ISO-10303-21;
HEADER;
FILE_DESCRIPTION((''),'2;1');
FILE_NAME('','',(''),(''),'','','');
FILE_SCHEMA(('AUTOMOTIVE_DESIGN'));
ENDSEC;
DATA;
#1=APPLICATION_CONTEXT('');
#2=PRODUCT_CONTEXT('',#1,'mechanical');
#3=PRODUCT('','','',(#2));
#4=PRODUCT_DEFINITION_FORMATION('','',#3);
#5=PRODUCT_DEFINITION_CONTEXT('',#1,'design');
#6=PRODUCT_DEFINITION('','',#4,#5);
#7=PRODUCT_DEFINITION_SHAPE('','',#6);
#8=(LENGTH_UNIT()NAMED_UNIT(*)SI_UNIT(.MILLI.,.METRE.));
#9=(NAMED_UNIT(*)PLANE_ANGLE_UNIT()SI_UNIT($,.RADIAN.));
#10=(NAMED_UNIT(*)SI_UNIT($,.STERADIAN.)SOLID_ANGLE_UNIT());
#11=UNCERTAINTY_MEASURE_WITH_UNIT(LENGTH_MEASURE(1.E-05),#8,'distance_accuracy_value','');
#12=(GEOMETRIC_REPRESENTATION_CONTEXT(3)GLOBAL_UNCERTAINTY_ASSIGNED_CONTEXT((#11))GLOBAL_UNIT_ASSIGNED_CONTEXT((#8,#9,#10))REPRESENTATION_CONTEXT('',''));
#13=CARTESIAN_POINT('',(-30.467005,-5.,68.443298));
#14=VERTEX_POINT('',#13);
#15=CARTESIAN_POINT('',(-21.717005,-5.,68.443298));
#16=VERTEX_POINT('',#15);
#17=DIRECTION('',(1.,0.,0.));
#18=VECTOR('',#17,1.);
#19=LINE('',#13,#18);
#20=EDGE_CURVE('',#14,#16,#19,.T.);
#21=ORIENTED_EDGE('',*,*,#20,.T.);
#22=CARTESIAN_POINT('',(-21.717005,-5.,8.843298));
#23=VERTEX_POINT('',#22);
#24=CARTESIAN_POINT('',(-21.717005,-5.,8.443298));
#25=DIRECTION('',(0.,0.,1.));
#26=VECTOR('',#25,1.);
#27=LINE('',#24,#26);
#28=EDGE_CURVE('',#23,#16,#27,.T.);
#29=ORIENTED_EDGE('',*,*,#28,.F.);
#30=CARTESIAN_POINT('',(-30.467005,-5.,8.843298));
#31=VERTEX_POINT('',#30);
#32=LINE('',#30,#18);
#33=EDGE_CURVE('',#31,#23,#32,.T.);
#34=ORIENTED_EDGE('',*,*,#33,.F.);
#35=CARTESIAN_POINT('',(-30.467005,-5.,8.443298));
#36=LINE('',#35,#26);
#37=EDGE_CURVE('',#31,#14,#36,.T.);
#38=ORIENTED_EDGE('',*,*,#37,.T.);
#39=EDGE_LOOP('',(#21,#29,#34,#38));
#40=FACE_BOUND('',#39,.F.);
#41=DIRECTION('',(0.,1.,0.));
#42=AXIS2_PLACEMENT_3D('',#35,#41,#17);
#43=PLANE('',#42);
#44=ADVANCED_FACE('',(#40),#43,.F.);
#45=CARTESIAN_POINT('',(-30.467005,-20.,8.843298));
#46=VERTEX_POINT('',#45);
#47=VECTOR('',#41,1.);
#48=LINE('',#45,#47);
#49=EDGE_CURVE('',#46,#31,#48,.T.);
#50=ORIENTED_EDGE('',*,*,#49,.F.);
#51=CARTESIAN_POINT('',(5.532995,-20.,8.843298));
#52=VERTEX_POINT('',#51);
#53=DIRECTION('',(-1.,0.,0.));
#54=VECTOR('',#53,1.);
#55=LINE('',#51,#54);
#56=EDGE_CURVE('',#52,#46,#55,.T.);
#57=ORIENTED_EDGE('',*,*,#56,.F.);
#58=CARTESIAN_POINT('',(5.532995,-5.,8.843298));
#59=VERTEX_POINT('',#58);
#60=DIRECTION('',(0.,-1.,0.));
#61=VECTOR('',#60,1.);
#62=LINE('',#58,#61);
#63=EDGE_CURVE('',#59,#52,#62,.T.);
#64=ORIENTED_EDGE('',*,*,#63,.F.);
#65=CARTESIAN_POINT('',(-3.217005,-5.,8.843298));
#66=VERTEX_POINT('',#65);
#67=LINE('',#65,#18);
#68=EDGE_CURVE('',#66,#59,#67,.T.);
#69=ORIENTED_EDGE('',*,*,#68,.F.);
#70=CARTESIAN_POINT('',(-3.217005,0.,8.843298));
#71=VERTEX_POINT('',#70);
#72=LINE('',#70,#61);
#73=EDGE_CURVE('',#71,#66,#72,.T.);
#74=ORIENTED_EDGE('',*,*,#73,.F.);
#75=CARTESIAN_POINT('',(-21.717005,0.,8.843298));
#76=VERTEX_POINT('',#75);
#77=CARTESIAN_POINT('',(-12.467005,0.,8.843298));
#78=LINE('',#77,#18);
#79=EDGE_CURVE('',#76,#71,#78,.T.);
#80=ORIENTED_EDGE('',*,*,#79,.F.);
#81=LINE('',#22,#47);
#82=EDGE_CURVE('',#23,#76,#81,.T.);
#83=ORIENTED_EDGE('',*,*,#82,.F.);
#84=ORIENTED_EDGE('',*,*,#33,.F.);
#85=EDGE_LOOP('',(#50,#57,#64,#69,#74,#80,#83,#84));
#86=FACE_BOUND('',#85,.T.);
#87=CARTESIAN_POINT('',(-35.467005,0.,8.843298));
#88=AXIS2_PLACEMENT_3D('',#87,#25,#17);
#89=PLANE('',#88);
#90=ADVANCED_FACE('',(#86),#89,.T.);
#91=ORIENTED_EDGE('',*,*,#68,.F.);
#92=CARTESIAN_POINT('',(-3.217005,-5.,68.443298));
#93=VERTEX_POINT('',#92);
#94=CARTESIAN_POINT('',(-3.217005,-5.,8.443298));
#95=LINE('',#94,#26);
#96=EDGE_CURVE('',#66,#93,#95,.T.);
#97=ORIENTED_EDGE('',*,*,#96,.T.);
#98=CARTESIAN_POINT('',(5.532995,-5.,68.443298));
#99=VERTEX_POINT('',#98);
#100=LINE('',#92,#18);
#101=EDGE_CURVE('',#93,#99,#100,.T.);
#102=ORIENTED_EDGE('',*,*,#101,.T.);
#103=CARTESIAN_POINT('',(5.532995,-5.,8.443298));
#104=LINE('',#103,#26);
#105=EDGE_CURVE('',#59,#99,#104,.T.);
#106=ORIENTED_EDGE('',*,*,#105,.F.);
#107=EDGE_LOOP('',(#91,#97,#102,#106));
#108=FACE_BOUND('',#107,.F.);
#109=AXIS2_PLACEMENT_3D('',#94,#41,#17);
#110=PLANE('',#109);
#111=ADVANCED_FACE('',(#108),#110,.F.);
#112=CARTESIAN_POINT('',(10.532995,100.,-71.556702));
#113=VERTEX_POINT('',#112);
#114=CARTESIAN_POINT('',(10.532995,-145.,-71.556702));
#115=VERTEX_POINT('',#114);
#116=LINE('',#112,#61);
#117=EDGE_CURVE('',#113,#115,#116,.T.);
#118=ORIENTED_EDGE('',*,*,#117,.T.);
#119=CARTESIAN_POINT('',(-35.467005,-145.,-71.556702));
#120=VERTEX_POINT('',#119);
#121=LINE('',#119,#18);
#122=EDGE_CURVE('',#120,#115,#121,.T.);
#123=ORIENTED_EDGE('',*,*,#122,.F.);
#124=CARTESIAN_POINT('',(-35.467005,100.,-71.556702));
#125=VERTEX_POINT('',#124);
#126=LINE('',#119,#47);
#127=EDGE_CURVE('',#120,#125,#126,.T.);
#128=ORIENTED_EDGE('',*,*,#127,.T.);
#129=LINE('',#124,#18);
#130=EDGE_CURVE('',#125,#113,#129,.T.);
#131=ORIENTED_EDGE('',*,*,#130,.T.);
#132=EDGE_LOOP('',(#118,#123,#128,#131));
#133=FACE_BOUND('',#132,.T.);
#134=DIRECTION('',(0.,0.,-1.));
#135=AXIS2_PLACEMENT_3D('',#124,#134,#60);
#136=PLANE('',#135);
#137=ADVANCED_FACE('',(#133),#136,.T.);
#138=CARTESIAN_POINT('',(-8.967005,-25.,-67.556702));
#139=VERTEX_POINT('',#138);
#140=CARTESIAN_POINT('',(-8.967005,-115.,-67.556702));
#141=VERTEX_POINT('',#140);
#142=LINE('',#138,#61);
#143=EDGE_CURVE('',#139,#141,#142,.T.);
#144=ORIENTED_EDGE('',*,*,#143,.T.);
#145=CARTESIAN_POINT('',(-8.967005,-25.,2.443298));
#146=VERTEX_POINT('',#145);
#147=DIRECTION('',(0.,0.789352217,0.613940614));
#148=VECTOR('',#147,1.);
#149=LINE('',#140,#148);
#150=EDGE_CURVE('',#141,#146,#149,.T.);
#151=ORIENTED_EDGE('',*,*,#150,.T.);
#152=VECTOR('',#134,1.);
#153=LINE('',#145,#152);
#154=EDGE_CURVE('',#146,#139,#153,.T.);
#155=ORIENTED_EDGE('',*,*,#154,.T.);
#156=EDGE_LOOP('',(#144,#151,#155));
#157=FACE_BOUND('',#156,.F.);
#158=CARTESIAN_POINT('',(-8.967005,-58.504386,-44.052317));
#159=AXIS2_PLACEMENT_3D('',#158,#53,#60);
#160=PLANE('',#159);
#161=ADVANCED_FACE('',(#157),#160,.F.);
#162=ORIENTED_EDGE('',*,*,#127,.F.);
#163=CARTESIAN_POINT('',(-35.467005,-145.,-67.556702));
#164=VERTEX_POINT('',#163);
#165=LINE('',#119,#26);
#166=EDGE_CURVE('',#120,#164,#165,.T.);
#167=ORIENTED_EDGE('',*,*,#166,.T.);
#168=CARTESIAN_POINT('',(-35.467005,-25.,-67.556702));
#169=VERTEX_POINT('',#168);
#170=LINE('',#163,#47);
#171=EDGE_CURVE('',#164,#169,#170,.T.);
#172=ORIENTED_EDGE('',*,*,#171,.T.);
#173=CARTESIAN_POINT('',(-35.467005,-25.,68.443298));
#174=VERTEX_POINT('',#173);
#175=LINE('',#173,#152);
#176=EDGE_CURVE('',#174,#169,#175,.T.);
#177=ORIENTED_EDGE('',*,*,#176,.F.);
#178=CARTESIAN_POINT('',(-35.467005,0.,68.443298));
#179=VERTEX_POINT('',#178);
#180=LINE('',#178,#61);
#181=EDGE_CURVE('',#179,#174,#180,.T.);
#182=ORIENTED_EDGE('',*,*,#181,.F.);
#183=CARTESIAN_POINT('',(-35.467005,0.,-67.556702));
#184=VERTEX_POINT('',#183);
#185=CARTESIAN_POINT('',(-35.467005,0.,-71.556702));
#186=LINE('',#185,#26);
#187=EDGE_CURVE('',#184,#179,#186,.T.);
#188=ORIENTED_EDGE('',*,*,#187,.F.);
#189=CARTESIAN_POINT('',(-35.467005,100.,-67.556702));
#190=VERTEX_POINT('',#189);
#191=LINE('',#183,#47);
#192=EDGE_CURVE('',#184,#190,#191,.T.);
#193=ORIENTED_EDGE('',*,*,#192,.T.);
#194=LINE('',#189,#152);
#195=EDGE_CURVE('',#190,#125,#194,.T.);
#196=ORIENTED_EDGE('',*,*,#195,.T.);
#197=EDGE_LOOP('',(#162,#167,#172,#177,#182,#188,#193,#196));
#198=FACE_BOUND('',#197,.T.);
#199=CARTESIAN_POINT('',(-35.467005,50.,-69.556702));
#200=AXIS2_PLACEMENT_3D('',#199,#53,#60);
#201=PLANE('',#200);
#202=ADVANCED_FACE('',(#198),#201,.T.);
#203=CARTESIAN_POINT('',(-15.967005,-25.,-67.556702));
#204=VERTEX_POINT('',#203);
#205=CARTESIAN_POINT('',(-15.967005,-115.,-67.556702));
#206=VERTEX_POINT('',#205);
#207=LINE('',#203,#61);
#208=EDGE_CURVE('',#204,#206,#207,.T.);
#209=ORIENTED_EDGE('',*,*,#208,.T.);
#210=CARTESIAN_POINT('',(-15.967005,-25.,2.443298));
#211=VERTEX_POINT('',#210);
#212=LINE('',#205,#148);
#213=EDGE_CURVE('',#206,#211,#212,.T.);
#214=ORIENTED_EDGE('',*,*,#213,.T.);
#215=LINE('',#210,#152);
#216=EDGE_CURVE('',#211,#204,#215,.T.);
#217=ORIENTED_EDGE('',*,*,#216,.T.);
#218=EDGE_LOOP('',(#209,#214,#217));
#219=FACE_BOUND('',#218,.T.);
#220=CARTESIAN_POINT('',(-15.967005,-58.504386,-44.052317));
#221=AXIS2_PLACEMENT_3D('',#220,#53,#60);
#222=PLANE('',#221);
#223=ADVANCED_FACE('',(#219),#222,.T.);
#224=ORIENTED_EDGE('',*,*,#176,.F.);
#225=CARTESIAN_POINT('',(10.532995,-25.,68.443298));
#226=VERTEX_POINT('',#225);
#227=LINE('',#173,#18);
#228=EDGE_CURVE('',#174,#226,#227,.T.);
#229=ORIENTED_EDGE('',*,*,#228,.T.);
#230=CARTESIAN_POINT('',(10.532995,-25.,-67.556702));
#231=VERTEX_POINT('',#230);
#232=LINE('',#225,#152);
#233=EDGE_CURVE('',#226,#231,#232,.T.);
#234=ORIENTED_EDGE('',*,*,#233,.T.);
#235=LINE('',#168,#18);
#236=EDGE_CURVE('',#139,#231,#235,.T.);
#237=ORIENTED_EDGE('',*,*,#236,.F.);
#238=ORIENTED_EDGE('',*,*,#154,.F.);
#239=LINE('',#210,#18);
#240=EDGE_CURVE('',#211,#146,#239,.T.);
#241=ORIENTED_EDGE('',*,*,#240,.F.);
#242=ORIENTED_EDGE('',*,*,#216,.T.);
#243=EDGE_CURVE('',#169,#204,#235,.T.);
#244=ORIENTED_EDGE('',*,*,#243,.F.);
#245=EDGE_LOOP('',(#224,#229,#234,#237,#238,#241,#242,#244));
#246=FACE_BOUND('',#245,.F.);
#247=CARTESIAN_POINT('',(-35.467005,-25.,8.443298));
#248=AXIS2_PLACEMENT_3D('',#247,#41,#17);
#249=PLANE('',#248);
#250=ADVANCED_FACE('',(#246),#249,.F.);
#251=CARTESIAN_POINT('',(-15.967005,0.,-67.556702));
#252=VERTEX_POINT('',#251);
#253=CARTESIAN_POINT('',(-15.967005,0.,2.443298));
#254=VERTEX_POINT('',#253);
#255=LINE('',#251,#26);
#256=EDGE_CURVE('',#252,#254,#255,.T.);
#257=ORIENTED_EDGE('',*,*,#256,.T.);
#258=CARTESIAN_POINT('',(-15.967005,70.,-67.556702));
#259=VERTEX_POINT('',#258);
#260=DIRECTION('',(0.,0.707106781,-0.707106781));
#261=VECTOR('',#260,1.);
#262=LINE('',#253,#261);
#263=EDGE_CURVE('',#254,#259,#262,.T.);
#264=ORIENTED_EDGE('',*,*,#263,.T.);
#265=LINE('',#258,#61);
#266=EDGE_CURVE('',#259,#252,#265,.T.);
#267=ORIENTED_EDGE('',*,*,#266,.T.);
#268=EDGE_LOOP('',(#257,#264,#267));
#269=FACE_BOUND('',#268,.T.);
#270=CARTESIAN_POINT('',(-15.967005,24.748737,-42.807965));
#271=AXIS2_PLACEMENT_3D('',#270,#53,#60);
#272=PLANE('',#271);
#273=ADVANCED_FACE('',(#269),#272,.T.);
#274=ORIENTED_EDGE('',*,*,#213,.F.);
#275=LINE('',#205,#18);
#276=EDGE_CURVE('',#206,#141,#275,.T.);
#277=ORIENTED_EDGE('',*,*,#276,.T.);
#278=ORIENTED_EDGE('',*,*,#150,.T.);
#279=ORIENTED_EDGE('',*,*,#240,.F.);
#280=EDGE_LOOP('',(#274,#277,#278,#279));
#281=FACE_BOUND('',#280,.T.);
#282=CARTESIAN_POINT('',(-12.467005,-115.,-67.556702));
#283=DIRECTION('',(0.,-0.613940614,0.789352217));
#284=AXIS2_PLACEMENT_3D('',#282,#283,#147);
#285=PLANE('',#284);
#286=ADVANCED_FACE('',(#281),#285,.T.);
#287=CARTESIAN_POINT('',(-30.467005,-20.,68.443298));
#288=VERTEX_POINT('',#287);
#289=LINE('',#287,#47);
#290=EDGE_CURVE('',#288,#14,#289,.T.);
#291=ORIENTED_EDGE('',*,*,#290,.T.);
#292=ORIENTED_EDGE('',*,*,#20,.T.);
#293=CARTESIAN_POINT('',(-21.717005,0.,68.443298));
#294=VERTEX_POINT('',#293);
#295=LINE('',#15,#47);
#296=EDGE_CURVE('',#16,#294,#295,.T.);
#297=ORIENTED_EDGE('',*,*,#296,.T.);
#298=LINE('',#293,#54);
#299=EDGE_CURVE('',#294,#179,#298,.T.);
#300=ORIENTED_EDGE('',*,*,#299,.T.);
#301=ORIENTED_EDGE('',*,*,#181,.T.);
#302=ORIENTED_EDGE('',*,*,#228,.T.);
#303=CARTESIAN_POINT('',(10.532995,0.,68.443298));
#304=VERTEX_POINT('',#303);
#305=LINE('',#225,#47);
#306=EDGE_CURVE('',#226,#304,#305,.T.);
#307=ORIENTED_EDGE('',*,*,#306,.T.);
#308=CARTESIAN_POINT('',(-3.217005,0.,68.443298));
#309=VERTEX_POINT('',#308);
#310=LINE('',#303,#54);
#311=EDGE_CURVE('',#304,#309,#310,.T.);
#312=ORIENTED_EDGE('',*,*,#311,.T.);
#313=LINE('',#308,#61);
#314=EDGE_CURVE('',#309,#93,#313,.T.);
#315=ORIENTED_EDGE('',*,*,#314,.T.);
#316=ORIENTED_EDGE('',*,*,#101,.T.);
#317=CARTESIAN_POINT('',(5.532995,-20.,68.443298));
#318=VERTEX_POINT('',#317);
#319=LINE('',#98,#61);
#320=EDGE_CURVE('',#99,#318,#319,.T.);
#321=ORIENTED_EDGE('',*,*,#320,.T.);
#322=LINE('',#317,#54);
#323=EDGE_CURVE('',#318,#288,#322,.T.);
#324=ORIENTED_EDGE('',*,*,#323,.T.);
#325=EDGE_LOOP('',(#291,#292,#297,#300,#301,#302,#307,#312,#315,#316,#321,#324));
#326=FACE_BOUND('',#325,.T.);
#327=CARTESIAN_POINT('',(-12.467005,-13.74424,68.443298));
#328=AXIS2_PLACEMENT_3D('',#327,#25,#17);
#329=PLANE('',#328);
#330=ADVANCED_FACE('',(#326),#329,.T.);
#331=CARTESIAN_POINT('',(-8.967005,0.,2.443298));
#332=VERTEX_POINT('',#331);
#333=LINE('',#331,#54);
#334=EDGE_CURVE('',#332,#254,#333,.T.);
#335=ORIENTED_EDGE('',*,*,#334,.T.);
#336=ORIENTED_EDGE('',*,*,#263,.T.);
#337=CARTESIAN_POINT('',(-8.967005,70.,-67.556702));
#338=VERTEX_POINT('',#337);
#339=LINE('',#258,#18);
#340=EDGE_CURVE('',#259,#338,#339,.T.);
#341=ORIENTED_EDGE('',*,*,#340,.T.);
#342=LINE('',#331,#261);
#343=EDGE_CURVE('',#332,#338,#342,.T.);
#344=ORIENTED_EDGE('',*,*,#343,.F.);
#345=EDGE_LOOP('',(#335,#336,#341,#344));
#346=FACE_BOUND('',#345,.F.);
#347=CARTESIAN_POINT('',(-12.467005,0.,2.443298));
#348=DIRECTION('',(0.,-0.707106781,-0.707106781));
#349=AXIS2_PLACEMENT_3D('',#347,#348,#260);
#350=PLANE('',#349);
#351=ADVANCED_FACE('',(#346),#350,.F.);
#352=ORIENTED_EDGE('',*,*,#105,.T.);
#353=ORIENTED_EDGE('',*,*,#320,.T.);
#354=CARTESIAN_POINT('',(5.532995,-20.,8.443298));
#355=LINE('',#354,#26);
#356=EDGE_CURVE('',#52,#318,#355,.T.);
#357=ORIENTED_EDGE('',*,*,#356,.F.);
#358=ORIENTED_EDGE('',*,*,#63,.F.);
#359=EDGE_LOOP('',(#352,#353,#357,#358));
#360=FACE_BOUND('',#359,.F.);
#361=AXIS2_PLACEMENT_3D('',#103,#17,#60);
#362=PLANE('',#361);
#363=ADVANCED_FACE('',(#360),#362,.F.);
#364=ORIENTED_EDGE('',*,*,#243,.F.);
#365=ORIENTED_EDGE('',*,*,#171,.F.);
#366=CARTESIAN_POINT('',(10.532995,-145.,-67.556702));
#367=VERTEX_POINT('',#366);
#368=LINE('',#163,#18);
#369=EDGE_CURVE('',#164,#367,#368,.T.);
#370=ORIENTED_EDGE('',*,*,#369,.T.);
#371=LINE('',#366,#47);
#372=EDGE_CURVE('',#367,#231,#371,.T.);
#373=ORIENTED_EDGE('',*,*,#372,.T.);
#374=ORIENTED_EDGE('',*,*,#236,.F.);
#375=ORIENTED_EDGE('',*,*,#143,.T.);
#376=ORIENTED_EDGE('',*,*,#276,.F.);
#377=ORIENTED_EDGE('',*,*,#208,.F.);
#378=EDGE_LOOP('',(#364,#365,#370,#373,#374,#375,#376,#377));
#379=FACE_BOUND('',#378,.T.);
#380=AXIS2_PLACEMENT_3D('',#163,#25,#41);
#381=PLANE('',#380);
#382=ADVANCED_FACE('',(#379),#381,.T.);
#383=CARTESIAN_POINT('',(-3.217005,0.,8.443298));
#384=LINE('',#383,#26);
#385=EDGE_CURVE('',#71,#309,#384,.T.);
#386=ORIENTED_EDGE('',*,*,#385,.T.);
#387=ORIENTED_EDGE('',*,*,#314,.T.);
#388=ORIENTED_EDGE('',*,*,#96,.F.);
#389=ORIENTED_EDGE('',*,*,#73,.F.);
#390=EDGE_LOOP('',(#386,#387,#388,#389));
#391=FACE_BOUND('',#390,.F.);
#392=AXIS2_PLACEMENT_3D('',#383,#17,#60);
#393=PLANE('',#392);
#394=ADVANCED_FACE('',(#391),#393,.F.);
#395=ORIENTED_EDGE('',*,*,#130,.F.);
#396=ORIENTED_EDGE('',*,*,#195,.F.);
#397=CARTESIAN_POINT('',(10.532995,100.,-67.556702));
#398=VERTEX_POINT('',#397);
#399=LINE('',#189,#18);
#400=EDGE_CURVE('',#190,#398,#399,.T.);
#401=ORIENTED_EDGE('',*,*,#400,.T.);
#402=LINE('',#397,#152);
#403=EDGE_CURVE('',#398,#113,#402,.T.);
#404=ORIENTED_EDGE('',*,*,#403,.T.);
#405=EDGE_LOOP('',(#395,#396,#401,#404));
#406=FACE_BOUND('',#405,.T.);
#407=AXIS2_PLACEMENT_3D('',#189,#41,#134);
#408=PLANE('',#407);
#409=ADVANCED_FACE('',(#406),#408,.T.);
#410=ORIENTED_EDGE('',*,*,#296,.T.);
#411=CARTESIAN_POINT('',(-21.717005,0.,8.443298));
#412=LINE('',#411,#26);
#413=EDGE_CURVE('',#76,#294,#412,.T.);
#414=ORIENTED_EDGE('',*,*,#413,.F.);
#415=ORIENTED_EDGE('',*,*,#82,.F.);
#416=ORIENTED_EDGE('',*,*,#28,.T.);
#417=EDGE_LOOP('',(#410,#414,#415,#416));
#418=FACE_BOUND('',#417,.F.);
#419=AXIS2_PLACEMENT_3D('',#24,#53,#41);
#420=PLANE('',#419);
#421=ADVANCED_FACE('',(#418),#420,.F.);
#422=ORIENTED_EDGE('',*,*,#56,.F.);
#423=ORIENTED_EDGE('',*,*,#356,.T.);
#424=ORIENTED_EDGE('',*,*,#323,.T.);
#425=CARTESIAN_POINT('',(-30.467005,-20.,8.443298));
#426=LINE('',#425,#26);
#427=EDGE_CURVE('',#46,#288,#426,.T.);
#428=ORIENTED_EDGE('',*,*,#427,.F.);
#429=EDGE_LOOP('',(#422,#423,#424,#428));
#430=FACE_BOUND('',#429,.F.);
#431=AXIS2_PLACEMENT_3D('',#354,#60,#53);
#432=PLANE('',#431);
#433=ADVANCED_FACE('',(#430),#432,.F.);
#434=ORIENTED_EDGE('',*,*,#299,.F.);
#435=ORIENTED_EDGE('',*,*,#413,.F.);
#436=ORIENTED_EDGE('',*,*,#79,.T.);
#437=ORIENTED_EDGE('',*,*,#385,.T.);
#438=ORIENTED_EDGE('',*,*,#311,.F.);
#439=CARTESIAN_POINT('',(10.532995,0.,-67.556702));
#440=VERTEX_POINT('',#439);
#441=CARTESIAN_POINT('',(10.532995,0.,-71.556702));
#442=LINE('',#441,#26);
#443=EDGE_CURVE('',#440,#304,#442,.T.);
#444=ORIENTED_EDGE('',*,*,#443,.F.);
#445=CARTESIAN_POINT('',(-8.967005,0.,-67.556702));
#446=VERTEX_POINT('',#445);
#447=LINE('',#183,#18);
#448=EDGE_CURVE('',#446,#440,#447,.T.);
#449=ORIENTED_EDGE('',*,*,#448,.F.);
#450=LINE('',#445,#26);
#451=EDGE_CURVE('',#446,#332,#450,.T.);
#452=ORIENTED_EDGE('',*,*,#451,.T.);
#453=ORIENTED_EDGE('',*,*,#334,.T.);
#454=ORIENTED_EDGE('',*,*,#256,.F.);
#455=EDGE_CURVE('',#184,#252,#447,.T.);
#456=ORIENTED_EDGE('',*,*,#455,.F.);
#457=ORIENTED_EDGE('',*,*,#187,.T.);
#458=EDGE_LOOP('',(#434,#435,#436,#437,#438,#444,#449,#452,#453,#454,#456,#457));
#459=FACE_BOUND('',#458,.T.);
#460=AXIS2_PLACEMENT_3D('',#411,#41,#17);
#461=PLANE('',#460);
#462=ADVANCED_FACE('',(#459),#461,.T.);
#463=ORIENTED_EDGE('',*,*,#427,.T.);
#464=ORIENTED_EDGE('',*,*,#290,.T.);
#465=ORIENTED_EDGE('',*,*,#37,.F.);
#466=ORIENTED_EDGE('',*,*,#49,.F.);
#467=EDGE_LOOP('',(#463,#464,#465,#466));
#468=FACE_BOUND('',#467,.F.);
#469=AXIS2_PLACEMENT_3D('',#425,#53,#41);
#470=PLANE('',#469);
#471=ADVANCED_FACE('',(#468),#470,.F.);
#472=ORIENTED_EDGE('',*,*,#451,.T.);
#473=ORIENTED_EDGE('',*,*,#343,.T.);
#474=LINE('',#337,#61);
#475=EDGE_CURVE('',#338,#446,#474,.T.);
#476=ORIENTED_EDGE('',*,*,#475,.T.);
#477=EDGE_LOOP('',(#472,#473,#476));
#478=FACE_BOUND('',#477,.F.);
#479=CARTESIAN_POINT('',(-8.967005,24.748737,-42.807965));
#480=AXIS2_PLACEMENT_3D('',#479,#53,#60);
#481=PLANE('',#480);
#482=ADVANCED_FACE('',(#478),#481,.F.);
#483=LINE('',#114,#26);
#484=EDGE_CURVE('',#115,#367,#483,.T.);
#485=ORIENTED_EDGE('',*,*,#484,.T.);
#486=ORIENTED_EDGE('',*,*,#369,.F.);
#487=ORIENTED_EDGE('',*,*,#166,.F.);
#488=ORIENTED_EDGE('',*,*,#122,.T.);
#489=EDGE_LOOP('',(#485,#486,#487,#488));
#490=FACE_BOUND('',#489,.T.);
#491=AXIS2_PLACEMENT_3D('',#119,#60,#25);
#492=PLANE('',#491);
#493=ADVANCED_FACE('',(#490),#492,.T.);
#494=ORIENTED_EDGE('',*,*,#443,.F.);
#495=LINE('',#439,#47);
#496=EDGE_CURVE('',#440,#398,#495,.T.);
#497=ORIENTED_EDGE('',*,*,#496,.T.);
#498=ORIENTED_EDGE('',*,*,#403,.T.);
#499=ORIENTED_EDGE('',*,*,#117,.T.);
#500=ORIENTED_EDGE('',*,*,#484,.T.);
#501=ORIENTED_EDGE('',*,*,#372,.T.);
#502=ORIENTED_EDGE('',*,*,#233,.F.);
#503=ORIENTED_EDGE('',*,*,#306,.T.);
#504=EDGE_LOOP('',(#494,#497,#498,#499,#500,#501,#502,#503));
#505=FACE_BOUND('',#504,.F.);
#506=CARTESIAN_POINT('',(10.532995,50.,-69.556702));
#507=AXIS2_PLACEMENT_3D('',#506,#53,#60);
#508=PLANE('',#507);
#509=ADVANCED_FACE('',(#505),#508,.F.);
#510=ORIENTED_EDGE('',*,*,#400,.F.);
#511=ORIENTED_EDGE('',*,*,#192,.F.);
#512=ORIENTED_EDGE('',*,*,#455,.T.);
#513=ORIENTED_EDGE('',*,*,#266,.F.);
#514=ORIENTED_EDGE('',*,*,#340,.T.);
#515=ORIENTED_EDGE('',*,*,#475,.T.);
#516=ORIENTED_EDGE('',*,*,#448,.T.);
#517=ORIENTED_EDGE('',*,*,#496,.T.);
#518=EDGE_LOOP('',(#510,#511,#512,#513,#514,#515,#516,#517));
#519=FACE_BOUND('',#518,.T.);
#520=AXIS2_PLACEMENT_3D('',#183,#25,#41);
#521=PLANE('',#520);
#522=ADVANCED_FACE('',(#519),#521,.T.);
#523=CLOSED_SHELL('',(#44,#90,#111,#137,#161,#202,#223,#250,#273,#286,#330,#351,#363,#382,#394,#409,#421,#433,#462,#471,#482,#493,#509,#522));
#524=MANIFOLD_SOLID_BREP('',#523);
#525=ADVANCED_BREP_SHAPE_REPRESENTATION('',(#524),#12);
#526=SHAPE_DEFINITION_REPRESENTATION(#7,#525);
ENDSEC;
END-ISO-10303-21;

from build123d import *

# Parameters (mm, degrees)
F0_W      = 46
F0_H      = 80
F1_DEPTH  = 25
F4_DEPTH  = 60
F5_DEPTH  = 46
F8_DEPTH  = 3.5
F10_DEPTH = 0.4


with BuildPart() as f1:
    # F0 (on Front) → F1 (new body)
    with BuildSketch(Plane.XZ):
        with Locations((-12.4670048244, -31.5567021806)):
            Rectangle(F0_W, F0_H)
    extrude(amount=F1_DEPTH)

    # F3 (on face) → F4 (join)
    with BuildSketch(Plane.XY.offset(8.4432978194)):
        Polygon((10.5329951756, -25), (10.5329951756, 0), (-3.2170048244, 0), (-3.2170048244, -5), (5.5329951756, -5), (5.5329951756, -20), (-30.4670048244, -20), (-30.4670048244, -5), (-21.7170048244, -5), (-21.7170048244, 0), (-35.4670048244, 0), (-35.4670048244, -25), align=None)
    extrude(amount=F4_DEPTH)

    # F2 (on face) → F5 (join)
    with BuildSketch(Plane(origin=(-35.4670048244, 0, 0), x_dir=(0, -1, 0), z_dir=(-1, 0, 0))):
        Polygon((-100, -71.5567021806), (0, -71.5567021806), (0, -67.5567021806), (-70, -67.5567021806), (-100, -67.5567021806), align=None)
        Polygon((25, -67.5567021806), (25, -71.5567021806), (145, -71.5567021806), (145, -67.5567021806), (115, -67.5567021806), align=None)
    extrude(amount=-F5_DEPTH)

    # F7 (on offset) → F8 (join, symmetric)
    with BuildSketch(Plane(origin=(-12.4670048244, 0, 0), x_dir=(0, -1, 0), z_dir=(-1, 0, 0))):
        Polygon((0, -67.5567021806), (0, 2.4432978194), (-70, -67.5567021806), align=None)
        Polygon((25, 2.4432978194), (25, -67.5567021806), (115, -67.5567021806), align=None)
    extrude(amount=F8_DEPTH, both=True)

    # F10 (add, through all): a face of the model
    f10_faces = [f1.faces().sort_by_distance(p)[0] for p in [
        (-12.4670048244, -11.0375494071, 8.4432978194),
    ]]
    extrude(f10_faces, amount=F10_DEPTH)


solid = f1.part
